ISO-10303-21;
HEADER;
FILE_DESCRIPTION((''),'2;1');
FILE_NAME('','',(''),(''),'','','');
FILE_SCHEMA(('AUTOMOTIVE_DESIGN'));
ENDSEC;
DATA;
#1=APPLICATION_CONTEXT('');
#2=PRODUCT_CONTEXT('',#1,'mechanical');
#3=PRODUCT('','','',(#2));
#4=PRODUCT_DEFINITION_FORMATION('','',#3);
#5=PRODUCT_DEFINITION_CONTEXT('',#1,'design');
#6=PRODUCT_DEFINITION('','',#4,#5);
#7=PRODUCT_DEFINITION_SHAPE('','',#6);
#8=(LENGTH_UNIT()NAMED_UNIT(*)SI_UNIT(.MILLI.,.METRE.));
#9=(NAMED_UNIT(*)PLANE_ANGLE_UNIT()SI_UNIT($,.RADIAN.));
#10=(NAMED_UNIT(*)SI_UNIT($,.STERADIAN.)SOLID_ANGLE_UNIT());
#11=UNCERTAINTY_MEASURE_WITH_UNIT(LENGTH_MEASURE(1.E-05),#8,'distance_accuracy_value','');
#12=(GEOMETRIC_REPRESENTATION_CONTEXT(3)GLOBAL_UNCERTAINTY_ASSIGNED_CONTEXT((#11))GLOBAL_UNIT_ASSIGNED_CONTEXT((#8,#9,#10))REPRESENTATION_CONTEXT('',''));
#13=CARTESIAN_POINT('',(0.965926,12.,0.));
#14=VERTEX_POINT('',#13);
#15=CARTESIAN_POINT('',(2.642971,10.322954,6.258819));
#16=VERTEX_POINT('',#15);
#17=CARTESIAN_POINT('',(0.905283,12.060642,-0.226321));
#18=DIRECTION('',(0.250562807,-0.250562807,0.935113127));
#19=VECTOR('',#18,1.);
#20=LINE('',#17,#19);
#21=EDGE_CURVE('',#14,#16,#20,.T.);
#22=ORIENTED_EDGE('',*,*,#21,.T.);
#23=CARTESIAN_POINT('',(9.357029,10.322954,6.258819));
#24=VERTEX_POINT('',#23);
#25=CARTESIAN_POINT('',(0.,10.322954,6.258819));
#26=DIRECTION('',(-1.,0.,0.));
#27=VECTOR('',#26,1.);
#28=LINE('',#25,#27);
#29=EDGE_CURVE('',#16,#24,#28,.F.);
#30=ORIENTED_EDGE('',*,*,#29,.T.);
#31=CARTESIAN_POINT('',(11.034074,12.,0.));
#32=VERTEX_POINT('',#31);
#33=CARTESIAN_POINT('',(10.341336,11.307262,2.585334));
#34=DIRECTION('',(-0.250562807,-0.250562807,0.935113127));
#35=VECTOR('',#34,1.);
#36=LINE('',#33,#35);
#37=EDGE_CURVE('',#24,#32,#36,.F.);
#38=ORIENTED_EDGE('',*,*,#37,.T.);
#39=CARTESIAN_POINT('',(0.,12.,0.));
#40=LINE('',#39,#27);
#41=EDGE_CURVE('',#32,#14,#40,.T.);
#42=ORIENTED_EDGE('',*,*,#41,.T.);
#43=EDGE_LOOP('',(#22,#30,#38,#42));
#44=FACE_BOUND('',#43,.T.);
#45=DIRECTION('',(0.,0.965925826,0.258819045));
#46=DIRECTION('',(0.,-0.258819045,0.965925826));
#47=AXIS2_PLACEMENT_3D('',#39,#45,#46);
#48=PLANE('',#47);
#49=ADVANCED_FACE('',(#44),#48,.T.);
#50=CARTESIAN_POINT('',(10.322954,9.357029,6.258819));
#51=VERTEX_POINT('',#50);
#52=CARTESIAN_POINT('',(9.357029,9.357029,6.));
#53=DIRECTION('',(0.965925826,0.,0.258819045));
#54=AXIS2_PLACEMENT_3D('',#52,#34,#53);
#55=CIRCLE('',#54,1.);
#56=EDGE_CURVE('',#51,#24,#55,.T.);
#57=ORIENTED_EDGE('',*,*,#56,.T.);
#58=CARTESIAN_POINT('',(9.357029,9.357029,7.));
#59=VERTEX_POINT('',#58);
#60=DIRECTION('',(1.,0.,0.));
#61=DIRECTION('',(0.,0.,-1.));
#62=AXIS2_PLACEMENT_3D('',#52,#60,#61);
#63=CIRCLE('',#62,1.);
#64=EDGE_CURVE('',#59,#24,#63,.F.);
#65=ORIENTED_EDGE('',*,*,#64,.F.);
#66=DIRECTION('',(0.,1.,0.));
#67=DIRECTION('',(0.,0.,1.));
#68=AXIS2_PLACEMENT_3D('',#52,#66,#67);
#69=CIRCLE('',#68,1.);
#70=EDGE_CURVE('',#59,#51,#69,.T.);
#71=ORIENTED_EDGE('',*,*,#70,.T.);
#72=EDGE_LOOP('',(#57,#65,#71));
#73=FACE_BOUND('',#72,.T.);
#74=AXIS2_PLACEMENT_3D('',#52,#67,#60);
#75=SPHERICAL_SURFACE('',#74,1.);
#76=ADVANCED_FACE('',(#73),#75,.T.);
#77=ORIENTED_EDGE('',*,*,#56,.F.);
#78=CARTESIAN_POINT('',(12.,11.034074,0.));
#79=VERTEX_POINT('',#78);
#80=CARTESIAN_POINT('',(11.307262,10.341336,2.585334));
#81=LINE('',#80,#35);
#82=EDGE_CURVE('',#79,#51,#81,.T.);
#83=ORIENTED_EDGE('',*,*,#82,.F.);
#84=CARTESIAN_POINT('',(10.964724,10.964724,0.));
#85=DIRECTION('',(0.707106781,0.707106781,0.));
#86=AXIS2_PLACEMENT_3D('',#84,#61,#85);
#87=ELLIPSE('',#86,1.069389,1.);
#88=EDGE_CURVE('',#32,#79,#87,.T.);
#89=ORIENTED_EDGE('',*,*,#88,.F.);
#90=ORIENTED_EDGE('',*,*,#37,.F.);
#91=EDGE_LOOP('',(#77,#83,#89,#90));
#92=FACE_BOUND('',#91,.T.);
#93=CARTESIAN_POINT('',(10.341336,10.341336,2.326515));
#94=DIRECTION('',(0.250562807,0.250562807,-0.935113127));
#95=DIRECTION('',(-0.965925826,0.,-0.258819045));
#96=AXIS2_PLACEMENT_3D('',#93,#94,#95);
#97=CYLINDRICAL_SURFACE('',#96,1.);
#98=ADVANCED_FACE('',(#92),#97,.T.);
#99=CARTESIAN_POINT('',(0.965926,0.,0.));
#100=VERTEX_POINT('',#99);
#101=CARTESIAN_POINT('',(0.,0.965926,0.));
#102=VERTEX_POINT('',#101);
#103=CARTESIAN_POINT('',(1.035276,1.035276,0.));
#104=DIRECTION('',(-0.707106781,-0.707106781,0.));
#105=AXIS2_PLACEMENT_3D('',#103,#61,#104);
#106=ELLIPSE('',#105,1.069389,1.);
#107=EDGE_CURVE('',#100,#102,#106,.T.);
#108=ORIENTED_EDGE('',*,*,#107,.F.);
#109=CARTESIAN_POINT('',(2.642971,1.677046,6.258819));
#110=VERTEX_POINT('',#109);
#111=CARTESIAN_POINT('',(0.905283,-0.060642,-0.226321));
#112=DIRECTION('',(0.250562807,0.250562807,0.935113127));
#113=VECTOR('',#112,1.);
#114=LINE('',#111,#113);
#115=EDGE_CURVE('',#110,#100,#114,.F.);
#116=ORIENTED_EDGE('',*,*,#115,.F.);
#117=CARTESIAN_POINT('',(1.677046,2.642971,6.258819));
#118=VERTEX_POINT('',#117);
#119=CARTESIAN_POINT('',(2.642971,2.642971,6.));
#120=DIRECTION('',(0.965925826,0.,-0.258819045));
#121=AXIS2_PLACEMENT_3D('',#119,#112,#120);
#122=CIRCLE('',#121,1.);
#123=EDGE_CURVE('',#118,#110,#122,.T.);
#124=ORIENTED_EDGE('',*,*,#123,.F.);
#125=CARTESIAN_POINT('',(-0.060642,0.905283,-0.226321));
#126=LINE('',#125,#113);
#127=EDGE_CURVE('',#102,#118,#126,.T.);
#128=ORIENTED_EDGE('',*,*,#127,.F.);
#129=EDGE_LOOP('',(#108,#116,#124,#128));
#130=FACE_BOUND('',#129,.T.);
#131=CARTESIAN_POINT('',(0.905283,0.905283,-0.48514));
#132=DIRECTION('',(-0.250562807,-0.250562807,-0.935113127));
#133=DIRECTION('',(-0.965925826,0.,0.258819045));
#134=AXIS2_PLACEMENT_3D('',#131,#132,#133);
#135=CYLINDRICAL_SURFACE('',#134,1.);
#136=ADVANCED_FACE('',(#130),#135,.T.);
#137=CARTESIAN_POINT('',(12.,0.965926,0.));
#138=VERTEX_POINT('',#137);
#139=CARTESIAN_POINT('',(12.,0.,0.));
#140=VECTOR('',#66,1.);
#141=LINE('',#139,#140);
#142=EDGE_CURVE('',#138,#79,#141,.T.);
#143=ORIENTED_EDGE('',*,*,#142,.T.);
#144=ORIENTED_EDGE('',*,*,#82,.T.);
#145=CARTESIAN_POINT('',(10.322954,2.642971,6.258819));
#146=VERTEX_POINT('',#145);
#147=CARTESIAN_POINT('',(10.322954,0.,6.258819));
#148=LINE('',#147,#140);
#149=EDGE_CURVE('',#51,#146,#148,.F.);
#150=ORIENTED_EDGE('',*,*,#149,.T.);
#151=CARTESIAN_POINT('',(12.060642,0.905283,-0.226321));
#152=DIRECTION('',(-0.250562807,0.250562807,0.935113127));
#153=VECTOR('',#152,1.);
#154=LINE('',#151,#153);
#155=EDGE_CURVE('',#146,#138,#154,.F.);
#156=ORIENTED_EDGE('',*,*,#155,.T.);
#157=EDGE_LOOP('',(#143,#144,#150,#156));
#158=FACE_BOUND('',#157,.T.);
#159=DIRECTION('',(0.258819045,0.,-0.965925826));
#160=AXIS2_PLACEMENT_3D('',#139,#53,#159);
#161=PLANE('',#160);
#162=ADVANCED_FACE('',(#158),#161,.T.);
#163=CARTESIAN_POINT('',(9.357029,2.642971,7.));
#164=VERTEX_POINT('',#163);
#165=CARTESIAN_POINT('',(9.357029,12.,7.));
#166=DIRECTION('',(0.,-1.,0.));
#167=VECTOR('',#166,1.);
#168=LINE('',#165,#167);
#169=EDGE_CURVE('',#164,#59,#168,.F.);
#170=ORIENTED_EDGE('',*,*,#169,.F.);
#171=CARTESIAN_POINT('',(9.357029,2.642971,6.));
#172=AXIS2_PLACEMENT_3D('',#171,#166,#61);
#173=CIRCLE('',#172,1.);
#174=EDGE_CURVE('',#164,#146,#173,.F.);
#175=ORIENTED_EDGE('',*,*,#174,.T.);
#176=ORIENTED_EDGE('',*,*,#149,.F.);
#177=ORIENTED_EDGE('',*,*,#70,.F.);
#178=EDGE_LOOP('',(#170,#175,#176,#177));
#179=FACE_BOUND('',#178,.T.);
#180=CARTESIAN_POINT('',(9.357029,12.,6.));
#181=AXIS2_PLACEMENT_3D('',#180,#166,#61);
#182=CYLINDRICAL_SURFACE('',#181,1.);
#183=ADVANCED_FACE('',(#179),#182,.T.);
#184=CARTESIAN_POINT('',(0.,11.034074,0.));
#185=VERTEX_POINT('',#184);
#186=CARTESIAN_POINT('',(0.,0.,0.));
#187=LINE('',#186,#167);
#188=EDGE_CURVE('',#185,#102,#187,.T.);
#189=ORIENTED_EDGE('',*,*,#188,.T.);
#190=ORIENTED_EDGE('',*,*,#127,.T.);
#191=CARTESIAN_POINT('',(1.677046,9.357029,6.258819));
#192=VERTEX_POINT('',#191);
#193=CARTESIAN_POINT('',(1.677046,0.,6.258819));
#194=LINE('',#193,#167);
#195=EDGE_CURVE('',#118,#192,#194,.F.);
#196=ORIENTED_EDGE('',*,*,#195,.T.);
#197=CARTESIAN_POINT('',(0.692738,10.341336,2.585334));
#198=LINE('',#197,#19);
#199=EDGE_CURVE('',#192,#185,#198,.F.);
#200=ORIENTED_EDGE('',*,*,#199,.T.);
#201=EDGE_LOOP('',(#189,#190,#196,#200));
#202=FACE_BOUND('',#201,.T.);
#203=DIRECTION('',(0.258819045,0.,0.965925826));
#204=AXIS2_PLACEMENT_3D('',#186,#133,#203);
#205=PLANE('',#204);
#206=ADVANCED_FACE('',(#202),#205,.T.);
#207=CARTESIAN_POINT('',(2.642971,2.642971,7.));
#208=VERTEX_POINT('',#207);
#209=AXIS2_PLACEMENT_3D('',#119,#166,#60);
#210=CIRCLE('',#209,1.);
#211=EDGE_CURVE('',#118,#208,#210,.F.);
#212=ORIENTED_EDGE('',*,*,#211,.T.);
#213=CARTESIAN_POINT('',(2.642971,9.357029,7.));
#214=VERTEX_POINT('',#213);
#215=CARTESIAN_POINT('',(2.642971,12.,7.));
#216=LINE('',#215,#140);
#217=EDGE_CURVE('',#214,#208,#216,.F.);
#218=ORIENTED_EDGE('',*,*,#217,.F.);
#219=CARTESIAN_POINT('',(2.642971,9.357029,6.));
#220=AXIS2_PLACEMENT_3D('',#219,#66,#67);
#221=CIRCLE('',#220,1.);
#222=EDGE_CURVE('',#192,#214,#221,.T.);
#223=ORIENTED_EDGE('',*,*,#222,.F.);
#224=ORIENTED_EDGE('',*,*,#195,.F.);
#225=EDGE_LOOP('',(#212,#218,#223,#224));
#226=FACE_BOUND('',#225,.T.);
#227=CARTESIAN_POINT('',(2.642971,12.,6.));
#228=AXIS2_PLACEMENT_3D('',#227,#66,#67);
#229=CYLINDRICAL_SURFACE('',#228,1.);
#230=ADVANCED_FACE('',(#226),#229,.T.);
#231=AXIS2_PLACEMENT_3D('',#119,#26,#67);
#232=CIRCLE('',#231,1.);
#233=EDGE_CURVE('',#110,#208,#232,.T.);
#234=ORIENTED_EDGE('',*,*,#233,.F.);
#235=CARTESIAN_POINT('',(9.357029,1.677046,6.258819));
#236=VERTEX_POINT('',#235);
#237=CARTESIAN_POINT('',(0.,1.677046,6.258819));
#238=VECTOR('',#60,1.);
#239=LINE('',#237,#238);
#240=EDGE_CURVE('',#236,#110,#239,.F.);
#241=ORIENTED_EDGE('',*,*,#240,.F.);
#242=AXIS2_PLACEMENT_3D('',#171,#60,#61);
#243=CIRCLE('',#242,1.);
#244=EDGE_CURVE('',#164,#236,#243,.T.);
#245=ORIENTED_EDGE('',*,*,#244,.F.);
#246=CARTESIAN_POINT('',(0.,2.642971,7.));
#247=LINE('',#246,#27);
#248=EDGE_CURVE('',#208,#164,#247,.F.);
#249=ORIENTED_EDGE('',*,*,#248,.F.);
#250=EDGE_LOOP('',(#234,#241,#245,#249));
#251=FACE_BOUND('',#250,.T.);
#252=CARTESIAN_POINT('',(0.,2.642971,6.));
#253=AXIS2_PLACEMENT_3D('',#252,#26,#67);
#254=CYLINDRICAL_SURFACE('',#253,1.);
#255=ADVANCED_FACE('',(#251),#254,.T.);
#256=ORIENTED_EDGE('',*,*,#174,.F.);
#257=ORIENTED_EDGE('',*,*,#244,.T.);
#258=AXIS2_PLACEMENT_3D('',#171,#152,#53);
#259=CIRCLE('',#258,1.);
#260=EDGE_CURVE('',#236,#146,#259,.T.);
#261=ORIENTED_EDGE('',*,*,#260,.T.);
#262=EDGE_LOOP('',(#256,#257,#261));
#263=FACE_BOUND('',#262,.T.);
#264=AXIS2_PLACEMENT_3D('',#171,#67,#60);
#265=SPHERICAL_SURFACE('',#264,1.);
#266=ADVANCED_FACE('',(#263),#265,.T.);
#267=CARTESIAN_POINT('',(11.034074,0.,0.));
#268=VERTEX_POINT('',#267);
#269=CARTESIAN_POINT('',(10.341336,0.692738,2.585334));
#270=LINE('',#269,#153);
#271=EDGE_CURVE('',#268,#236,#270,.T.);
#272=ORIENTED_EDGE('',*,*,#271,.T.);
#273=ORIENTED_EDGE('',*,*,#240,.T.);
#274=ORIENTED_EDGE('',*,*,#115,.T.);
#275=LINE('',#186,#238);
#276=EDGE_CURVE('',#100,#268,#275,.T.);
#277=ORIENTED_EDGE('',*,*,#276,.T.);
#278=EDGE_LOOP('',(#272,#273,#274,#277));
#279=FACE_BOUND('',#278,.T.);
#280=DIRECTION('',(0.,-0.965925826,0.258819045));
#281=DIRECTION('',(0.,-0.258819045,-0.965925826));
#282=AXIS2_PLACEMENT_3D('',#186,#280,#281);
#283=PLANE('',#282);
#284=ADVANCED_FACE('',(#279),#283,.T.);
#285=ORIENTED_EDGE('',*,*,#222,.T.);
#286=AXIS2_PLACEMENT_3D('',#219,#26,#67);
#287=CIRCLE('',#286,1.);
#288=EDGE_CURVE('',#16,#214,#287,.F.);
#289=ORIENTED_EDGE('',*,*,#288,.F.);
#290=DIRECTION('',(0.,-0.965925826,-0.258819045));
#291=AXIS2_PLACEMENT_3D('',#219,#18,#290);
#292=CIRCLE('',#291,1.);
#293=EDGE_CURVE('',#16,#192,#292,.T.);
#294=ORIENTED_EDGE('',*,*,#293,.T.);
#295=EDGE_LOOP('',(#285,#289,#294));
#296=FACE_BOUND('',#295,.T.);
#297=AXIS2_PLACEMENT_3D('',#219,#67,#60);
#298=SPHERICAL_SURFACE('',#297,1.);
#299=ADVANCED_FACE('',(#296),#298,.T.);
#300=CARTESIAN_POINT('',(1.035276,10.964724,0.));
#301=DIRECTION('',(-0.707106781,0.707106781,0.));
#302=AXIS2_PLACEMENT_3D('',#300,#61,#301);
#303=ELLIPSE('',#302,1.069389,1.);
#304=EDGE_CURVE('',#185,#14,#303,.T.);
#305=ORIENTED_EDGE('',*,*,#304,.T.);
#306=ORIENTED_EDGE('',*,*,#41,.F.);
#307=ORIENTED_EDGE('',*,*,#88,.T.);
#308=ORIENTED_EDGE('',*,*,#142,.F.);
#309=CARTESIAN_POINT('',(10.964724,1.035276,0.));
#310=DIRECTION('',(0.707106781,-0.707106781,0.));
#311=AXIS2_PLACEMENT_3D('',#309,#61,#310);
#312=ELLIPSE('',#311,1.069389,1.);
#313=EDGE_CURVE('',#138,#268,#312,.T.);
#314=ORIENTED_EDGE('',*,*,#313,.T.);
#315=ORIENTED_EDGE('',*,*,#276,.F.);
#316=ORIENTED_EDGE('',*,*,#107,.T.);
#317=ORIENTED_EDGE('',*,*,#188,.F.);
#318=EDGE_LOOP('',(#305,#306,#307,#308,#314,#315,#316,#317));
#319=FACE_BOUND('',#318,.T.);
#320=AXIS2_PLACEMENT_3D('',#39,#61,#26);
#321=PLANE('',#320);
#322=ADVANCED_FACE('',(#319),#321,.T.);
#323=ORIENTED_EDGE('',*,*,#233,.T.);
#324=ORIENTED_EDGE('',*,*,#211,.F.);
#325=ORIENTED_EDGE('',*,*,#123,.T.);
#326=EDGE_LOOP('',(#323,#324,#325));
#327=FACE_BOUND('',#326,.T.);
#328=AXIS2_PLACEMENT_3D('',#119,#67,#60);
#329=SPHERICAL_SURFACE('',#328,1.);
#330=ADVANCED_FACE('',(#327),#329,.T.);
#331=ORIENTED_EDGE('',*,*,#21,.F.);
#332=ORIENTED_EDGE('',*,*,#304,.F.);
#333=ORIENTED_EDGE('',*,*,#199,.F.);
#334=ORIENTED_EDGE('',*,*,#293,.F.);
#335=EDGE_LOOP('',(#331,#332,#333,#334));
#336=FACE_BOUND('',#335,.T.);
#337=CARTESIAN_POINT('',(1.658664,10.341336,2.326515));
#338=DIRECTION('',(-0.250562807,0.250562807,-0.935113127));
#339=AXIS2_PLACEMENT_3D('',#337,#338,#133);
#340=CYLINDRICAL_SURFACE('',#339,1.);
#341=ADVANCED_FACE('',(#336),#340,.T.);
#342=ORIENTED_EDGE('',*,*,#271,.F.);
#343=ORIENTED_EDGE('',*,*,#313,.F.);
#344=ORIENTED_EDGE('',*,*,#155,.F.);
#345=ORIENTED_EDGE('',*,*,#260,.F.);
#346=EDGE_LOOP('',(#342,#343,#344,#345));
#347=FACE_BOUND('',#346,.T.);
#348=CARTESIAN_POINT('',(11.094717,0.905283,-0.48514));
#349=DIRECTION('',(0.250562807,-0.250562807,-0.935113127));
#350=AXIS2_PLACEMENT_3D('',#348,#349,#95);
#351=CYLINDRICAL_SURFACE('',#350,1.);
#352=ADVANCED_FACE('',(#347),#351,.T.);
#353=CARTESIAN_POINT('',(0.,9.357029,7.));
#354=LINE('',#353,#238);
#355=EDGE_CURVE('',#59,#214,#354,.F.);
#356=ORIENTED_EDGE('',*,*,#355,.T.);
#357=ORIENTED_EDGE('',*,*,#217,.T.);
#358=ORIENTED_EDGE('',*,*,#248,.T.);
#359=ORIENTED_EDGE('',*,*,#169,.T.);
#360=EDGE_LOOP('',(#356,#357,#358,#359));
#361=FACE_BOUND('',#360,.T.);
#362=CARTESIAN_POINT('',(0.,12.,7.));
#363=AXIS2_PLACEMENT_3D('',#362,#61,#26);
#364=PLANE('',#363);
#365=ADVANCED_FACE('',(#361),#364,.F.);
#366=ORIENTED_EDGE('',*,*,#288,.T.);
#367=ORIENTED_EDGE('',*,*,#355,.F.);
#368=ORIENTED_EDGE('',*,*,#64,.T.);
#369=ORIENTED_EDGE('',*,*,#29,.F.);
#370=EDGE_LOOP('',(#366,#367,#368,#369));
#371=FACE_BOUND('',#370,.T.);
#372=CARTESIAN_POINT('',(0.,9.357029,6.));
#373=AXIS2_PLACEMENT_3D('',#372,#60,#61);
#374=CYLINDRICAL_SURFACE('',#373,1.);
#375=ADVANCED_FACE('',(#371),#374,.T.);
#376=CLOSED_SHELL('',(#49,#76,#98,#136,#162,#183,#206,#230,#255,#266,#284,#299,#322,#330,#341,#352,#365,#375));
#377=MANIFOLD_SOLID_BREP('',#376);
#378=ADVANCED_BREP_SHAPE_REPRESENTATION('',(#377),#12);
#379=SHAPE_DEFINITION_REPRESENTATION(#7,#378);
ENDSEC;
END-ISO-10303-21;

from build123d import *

# Parameters (mm, degrees)
SKETCH1_W           = 12
SKETCH1_H           = 12
BOSS_EXTRUDE1_DEPTH = 7
BOSS_EXTRUDE1_TAPER = 15
FILLET1_R           = 1


with BuildPart() as part:
    # Sketch1 → Boss-Extrude1 (new body)
    with BuildSketch(Plane.XY):
        with Locations((6, 6)):
            Rectangle(SKETCH1_W, SKETCH1_H)
    extrude(amount=BOSS_EXTRUDE1_DEPTH, taper=BOSS_EXTRUDE1_TAPER)

    # Fillet1
    fillet1_edges = [part.edges().sort_by_distance(p)[0] for p in [
        (10.124355653, 6, 7),
        (6, 10.124355653, 7),
        (1.875644347, 6, 7),
        (6, 1.875644347, 7),
        (0.937822174, 11.062177826, 3.5),
        (11.062177826, 11.062177826, 3.5),
        (11.062177826, 0.937822174, 3.5),
        (0.937822174, 0.937822174, 3.5),
    ]]
    fillet(fillet1_edges, radius=FILLET1_R)


solid = part.part
